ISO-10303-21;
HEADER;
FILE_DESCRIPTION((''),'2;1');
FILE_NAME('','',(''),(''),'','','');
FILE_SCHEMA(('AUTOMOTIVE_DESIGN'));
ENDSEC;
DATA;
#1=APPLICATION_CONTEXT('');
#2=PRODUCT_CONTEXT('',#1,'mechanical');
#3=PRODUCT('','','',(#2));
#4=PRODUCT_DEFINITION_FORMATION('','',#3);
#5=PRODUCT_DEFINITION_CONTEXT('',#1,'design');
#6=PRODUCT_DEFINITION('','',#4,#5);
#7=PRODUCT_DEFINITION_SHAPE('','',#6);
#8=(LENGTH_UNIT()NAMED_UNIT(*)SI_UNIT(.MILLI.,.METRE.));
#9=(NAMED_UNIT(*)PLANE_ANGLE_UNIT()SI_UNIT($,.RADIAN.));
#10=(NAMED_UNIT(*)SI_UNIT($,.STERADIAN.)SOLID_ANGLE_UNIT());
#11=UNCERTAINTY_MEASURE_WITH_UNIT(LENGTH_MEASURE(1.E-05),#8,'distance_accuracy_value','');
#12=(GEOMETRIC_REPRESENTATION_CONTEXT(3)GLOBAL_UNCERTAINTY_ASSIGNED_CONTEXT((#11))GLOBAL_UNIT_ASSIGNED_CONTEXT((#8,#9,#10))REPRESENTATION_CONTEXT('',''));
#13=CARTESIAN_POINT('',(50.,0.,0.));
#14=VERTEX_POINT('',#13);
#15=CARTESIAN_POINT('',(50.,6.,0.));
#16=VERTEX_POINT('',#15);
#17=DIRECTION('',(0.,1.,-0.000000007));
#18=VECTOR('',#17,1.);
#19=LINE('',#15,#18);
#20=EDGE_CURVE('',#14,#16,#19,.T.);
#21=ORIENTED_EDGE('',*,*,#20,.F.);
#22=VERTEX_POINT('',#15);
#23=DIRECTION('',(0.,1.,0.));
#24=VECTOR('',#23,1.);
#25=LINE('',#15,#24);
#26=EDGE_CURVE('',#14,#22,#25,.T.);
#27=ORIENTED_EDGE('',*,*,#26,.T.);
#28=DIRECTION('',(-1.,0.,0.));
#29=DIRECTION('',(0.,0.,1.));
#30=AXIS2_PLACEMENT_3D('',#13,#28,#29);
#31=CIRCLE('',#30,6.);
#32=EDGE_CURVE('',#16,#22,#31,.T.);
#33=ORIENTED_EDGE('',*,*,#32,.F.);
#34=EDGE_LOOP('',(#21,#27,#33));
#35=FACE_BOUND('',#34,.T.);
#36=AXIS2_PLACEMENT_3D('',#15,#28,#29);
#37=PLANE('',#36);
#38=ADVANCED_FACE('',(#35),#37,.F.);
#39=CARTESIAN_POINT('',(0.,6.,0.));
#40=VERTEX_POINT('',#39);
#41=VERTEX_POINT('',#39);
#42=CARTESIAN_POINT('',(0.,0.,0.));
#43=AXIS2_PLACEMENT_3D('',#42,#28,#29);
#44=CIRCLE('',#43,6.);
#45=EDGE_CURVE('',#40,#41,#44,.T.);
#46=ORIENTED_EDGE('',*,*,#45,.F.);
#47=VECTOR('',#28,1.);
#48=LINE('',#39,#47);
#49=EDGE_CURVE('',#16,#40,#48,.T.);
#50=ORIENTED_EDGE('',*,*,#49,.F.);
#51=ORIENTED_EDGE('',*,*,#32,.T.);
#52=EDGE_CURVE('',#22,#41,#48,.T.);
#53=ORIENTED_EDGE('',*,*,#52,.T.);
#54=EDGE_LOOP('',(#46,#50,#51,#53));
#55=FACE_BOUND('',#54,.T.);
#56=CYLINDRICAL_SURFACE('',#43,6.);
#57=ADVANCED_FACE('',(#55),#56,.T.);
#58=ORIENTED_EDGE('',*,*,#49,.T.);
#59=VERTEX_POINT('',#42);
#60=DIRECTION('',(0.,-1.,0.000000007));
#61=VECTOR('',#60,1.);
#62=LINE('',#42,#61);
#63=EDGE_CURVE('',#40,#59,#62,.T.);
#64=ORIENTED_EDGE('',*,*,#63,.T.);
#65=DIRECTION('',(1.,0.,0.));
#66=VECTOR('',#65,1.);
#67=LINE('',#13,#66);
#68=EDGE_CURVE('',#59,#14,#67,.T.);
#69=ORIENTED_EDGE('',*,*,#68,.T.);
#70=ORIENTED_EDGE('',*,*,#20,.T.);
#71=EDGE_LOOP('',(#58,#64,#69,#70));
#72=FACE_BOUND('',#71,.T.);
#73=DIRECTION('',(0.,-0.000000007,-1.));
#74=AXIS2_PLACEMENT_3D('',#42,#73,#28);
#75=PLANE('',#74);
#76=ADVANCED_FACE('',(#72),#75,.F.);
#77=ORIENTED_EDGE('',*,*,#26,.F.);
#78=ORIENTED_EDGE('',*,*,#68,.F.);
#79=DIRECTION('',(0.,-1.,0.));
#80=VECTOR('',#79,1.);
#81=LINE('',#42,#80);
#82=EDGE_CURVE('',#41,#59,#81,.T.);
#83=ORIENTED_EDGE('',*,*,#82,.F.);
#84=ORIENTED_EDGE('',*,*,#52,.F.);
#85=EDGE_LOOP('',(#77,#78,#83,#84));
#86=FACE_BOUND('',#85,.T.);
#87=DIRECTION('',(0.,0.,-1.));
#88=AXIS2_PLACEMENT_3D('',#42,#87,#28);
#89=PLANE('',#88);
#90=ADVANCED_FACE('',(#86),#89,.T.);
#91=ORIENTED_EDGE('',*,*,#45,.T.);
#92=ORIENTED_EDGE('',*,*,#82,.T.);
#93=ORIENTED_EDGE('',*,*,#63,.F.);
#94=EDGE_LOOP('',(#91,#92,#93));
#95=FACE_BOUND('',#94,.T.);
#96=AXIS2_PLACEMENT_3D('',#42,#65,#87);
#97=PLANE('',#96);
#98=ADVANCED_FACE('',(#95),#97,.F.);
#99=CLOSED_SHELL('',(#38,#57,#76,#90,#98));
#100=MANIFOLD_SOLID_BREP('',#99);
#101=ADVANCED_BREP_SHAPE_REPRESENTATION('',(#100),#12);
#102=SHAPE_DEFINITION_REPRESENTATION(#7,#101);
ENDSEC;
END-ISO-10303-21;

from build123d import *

# Parameters (mm, degrees)
SKETCH1_W      = 50
SKETCH1_H      = 6
REVOLVE1_ANGLE = 359.999999589


with BuildPart() as part:
    # Sketch1 → Revolve1 (revolve)
    with BuildSketch(Plane.XY):
        with Locations((25, 3)):
            Rectangle(SKETCH1_W, SKETCH1_H)
    revolve(axis=Axis((0, 0, 0), (1, 0, 0)), revolution_arc=REVOLVE1_ANGLE)


solid = part.part
